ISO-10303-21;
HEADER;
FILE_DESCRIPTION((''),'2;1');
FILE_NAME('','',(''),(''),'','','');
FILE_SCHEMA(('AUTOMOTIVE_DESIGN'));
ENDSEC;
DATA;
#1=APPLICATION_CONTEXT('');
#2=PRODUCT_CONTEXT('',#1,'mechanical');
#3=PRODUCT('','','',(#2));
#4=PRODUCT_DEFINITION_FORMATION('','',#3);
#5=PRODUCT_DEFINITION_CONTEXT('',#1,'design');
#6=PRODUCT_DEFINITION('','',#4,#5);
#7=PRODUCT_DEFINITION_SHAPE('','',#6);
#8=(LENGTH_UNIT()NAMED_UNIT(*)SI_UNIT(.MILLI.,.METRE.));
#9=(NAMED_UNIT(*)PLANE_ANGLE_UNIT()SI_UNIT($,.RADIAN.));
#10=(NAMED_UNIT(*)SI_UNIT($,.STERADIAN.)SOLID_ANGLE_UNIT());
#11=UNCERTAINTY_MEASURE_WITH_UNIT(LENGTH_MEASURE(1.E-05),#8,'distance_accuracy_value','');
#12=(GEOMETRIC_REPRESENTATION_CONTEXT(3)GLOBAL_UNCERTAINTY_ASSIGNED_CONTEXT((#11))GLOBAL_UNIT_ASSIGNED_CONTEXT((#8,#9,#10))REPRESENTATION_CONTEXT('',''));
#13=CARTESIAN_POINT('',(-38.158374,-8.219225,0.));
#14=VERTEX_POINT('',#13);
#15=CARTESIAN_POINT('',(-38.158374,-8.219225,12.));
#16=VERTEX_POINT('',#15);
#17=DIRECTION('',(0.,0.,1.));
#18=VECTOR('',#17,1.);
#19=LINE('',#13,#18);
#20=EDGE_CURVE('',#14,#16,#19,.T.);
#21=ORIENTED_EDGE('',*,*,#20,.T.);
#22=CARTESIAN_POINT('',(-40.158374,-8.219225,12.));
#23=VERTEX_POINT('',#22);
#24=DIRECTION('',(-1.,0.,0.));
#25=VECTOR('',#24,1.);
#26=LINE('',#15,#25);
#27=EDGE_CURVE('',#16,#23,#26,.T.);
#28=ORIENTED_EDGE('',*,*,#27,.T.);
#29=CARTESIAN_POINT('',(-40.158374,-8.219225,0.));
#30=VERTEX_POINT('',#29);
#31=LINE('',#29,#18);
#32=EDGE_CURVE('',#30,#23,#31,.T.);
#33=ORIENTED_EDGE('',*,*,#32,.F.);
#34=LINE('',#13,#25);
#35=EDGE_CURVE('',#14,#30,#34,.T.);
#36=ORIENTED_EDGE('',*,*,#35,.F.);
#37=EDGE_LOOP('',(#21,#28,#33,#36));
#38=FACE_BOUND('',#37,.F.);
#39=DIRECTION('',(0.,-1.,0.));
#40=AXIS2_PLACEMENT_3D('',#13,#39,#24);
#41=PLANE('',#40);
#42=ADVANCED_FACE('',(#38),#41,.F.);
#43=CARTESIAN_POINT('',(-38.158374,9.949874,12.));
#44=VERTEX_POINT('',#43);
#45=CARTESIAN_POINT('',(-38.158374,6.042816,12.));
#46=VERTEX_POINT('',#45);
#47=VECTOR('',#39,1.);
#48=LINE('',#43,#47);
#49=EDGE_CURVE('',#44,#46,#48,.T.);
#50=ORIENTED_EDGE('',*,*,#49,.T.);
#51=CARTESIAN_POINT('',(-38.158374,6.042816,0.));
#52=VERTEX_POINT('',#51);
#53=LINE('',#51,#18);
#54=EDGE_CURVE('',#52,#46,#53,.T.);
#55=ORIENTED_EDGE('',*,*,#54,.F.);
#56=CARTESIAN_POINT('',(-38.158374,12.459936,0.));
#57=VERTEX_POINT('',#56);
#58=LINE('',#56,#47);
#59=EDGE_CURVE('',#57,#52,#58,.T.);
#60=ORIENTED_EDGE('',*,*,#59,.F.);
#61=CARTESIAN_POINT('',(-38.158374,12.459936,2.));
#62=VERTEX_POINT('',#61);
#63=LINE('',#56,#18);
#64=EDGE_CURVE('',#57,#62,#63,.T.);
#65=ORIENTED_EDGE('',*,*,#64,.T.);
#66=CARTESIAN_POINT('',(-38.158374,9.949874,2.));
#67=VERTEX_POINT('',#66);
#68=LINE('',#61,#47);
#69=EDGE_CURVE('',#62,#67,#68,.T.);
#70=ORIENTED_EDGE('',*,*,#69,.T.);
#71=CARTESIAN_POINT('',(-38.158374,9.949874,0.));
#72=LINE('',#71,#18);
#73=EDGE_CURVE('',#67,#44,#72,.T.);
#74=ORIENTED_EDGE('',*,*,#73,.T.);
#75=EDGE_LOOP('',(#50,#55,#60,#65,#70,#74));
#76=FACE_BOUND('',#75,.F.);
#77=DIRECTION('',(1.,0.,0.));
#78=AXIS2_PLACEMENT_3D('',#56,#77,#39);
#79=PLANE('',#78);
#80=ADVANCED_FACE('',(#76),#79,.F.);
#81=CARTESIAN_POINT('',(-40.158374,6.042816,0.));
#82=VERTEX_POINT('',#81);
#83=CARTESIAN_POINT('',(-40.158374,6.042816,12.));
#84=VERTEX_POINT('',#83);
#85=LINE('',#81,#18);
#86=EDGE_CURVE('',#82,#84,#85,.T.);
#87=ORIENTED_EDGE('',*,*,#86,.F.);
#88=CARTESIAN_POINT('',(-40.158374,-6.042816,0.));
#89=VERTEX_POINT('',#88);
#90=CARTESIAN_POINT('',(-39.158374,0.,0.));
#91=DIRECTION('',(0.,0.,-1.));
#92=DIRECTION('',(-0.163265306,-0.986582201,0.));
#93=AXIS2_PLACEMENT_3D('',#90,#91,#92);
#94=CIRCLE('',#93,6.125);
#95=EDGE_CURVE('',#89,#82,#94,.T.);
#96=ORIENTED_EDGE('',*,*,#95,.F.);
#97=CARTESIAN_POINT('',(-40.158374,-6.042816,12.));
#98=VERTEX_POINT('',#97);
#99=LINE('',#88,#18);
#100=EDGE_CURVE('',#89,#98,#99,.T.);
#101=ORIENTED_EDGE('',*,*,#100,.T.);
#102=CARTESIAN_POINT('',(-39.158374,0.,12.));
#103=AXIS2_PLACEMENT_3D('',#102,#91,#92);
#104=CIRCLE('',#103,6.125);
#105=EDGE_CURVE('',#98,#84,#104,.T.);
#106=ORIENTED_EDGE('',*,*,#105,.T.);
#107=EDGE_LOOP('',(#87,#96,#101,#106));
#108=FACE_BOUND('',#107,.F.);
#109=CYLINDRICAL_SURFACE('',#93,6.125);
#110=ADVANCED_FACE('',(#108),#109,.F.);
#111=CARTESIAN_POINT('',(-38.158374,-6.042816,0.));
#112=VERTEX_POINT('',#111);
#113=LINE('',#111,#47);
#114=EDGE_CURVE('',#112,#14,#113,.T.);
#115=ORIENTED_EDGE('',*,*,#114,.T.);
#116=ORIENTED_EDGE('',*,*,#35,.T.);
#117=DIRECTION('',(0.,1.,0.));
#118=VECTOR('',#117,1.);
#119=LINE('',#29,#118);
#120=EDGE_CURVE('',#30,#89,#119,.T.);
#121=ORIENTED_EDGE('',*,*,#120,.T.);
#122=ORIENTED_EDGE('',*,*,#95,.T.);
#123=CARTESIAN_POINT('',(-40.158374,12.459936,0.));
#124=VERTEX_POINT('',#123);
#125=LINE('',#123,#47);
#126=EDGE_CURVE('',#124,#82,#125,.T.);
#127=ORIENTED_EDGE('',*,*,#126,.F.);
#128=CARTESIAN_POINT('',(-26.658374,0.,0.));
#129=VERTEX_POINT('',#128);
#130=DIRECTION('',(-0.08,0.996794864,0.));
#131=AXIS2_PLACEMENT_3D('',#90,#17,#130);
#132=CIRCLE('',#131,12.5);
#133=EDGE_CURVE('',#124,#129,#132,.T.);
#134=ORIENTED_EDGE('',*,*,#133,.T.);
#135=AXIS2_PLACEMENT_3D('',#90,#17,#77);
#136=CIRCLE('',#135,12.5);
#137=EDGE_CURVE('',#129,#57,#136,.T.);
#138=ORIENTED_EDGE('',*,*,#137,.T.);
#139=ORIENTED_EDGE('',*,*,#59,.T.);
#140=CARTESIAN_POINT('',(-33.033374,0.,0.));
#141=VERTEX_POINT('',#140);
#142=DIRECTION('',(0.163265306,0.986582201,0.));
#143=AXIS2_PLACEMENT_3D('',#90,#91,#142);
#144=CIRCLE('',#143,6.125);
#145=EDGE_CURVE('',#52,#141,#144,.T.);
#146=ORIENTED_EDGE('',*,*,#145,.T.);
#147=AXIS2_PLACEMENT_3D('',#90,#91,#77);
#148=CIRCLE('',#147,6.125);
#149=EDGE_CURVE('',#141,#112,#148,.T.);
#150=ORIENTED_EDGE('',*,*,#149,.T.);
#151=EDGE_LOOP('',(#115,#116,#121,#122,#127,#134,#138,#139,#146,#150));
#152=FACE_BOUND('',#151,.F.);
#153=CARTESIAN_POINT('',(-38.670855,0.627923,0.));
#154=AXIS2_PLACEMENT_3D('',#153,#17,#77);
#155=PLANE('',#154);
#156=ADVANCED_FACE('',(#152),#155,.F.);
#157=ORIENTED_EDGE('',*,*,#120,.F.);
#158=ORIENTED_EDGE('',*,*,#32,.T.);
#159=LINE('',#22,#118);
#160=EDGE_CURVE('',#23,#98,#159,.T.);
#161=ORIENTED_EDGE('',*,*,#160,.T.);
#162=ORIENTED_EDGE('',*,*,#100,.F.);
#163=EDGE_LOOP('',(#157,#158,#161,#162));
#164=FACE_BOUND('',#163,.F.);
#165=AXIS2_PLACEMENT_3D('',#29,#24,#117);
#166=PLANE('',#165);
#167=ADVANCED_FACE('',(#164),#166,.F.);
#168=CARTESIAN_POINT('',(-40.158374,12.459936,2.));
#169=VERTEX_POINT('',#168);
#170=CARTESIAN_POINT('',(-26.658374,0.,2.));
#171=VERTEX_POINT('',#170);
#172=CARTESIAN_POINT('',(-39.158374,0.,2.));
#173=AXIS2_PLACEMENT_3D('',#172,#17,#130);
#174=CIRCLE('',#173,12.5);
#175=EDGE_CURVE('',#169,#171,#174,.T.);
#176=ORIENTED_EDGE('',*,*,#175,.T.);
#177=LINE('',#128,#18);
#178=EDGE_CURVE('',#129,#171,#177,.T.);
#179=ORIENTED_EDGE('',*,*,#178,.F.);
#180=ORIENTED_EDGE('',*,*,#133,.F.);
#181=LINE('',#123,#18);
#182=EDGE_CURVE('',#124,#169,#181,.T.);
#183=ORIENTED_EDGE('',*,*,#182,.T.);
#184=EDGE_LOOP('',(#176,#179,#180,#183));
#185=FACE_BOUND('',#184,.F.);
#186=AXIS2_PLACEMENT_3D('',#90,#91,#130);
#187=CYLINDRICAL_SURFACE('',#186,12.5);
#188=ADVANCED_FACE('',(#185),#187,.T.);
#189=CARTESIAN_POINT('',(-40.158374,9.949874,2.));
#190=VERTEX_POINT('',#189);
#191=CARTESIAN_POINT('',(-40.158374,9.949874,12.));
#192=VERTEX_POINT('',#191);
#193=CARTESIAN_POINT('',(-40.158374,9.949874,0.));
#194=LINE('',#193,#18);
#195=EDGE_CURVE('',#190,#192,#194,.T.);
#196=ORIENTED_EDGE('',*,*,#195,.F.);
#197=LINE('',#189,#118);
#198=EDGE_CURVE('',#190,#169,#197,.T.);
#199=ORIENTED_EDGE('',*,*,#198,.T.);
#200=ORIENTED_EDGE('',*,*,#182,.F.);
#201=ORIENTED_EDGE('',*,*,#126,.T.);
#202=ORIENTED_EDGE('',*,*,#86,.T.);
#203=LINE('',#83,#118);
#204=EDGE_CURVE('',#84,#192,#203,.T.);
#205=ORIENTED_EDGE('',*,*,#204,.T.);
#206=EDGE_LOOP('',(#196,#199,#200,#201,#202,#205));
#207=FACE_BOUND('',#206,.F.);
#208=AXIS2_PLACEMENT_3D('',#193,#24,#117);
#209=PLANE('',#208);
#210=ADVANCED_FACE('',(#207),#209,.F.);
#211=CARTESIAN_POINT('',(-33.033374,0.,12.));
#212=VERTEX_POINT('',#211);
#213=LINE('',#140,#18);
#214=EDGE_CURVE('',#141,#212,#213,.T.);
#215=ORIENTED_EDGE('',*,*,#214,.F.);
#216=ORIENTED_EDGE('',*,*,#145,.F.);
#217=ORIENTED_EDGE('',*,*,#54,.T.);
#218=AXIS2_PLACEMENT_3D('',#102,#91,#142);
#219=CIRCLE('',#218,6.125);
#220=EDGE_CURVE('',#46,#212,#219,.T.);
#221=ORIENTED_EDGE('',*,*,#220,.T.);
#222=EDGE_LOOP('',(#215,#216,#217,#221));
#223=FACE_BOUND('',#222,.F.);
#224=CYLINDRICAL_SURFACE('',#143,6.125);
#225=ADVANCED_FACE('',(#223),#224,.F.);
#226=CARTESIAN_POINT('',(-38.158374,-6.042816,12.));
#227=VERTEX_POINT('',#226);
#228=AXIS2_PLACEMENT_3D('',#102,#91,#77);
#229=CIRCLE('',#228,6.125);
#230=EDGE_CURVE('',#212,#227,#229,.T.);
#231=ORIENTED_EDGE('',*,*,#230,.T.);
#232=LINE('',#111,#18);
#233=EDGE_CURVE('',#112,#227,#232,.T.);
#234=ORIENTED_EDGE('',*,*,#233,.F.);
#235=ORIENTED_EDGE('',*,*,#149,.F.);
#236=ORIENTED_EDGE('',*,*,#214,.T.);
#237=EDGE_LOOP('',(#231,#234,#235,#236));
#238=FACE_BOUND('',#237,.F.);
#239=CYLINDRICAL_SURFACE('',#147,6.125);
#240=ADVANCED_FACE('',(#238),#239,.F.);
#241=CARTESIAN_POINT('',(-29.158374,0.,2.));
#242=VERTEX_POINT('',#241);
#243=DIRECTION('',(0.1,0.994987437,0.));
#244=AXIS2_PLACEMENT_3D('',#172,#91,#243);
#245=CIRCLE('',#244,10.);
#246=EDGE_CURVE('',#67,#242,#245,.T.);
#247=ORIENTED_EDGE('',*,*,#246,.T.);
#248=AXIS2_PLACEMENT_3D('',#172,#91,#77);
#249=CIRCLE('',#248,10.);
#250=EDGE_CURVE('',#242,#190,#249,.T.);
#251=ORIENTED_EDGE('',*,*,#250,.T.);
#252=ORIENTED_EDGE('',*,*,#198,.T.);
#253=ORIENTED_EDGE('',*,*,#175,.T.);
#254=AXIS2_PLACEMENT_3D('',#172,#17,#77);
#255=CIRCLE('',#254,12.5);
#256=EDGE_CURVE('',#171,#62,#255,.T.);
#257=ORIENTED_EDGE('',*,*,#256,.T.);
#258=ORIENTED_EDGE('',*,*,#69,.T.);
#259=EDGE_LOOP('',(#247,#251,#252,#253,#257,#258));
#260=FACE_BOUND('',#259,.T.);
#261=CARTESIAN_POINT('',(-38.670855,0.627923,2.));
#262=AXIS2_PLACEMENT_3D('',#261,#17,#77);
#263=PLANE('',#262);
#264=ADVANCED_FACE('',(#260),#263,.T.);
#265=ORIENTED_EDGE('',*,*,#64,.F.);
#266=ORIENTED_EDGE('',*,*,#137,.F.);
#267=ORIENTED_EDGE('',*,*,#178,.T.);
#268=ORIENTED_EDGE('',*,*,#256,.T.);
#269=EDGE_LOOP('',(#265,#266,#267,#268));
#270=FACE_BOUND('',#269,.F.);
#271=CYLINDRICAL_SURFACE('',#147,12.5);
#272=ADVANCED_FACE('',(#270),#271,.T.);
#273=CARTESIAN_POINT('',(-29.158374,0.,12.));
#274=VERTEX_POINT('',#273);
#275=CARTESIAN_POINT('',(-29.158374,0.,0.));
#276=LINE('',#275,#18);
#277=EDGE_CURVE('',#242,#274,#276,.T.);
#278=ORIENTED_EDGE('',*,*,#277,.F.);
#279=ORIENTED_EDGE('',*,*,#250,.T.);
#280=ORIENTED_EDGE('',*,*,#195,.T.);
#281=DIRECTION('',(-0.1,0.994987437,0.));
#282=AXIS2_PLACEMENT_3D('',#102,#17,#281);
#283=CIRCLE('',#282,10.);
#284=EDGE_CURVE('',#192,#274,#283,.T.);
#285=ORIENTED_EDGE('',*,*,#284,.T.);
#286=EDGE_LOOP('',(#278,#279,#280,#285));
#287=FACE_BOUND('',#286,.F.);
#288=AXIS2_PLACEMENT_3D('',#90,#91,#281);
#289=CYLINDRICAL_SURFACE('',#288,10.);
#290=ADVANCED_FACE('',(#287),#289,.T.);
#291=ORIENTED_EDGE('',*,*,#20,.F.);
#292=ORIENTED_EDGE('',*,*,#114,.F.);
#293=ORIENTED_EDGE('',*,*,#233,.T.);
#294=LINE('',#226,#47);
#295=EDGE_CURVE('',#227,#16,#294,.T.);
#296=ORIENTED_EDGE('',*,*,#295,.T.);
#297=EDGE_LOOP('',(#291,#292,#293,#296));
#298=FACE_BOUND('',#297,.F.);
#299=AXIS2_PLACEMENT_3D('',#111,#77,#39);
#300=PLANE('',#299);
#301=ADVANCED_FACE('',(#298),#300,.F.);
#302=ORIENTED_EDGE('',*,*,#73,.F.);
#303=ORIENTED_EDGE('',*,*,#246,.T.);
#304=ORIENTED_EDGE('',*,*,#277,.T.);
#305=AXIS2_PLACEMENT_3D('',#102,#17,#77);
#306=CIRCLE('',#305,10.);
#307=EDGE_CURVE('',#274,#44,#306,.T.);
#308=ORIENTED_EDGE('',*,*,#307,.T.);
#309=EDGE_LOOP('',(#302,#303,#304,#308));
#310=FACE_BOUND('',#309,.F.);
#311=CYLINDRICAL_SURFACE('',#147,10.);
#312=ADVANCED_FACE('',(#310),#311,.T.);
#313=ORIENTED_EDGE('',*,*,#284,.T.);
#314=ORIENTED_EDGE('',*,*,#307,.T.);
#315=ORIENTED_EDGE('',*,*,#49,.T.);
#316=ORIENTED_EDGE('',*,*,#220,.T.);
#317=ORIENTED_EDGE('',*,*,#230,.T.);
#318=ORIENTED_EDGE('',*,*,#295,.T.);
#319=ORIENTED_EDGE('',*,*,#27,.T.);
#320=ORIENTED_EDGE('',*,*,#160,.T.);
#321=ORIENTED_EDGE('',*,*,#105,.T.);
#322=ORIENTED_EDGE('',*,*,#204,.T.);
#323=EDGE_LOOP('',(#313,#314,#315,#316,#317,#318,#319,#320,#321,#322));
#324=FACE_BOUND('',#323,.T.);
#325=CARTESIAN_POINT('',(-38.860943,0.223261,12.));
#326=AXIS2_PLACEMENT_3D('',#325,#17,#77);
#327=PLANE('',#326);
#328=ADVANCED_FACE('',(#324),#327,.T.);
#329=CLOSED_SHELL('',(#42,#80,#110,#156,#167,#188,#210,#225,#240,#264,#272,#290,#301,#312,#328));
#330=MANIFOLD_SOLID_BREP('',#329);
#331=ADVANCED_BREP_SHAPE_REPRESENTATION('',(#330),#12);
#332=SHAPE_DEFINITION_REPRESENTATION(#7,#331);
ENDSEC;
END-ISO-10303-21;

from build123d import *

# Parameters (mm, degrees)
F1_DEPTH = 12
F2_DEPTH = 2


with BuildPart() as f1:
    # F0 (on Top) → F1 (new body)
    with BuildSketch(Plane.XY):
        with BuildLine():
            ThreePointArc((-38.1583740711, 6.0428159826), (-34.4871523359, 3.9617309979), (-33.0333740711, 0))
            ThreePointArc((-33.0333740711, 0), (-34.4871523359, -3.9617309979), (-38.1583740711, -6.0428159826))
            Line((-38.1583740711, -6.0428159826), (-38.1583740711, -6.125))
            Line((-38.1583740711, -6.125), (-38.1583740711, -8.2192253321))
            Line((-38.1583740711, -8.2192253321), (-40.1583740711, -8.2192253321))
            Line((-40.1583740711, -8.2192253321), (-40.1583740711, -6.2192253321))
            Line((-40.1583740711, -6.2192253321), (-40.1583740711, -6.0428159826))
            ThreePointArc((-40.1583740711, -6.0428159826), (-45.2833740711, 0), (-40.1583740711, 6.0428159826))
            Line((-40.1583740711, 6.0428159826), (-40.1583740711, 6.125))
            Line((-40.1583740711, 6.125), (-40.1583740711, 9.9498743711))
            ThreePointArc((-40.1583740711, 9.9498743711), (-45.8665780036, -7.4161984871), (-29.1583740711, 0))
            ThreePointArc((-29.1583740711, 0), (-31.742175584, 6.7082039325), (-38.1583740711, 9.9498743711))
            Line((-38.1583740711, 9.9498743711), (-38.1583740711, 6.125))
            Line((-38.1583740711, 6.125), (-38.1583740711, 6.0428159826))
        make_face()
    extrude(amount=F1_DEPTH)

    # F0 (on Top) → F2 (join)
    with BuildSketch(Plane.XY):
        with BuildLine():
            Line((-38.1583740711, 12.4599357944), (-38.1583740711, 9.9498743711))
            ThreePointArc((-38.1583740711, 9.9498743711), (-31.742175584, 6.7082039325), (-29.1583740711, 0))
            ThreePointArc((-29.1583740711, 0), (-45.8665780036, -7.4161984871), (-40.1583740711, 9.9498743711))
            Line((-40.1583740711, 9.9498743711), (-40.1583740711, 12.4599357944))
            ThreePointArc((-40.1583740711, 12.4599357944), (-47.63628655, -9.1855865354), (-26.6583740711, 0))
            ThreePointArc((-26.6583740711, 0), (-29.9727875357, 8.4779124789), (-38.1583740711, 12.4599357944))
        make_face()
    extrude(amount=F2_DEPTH)


solid = f1.part
